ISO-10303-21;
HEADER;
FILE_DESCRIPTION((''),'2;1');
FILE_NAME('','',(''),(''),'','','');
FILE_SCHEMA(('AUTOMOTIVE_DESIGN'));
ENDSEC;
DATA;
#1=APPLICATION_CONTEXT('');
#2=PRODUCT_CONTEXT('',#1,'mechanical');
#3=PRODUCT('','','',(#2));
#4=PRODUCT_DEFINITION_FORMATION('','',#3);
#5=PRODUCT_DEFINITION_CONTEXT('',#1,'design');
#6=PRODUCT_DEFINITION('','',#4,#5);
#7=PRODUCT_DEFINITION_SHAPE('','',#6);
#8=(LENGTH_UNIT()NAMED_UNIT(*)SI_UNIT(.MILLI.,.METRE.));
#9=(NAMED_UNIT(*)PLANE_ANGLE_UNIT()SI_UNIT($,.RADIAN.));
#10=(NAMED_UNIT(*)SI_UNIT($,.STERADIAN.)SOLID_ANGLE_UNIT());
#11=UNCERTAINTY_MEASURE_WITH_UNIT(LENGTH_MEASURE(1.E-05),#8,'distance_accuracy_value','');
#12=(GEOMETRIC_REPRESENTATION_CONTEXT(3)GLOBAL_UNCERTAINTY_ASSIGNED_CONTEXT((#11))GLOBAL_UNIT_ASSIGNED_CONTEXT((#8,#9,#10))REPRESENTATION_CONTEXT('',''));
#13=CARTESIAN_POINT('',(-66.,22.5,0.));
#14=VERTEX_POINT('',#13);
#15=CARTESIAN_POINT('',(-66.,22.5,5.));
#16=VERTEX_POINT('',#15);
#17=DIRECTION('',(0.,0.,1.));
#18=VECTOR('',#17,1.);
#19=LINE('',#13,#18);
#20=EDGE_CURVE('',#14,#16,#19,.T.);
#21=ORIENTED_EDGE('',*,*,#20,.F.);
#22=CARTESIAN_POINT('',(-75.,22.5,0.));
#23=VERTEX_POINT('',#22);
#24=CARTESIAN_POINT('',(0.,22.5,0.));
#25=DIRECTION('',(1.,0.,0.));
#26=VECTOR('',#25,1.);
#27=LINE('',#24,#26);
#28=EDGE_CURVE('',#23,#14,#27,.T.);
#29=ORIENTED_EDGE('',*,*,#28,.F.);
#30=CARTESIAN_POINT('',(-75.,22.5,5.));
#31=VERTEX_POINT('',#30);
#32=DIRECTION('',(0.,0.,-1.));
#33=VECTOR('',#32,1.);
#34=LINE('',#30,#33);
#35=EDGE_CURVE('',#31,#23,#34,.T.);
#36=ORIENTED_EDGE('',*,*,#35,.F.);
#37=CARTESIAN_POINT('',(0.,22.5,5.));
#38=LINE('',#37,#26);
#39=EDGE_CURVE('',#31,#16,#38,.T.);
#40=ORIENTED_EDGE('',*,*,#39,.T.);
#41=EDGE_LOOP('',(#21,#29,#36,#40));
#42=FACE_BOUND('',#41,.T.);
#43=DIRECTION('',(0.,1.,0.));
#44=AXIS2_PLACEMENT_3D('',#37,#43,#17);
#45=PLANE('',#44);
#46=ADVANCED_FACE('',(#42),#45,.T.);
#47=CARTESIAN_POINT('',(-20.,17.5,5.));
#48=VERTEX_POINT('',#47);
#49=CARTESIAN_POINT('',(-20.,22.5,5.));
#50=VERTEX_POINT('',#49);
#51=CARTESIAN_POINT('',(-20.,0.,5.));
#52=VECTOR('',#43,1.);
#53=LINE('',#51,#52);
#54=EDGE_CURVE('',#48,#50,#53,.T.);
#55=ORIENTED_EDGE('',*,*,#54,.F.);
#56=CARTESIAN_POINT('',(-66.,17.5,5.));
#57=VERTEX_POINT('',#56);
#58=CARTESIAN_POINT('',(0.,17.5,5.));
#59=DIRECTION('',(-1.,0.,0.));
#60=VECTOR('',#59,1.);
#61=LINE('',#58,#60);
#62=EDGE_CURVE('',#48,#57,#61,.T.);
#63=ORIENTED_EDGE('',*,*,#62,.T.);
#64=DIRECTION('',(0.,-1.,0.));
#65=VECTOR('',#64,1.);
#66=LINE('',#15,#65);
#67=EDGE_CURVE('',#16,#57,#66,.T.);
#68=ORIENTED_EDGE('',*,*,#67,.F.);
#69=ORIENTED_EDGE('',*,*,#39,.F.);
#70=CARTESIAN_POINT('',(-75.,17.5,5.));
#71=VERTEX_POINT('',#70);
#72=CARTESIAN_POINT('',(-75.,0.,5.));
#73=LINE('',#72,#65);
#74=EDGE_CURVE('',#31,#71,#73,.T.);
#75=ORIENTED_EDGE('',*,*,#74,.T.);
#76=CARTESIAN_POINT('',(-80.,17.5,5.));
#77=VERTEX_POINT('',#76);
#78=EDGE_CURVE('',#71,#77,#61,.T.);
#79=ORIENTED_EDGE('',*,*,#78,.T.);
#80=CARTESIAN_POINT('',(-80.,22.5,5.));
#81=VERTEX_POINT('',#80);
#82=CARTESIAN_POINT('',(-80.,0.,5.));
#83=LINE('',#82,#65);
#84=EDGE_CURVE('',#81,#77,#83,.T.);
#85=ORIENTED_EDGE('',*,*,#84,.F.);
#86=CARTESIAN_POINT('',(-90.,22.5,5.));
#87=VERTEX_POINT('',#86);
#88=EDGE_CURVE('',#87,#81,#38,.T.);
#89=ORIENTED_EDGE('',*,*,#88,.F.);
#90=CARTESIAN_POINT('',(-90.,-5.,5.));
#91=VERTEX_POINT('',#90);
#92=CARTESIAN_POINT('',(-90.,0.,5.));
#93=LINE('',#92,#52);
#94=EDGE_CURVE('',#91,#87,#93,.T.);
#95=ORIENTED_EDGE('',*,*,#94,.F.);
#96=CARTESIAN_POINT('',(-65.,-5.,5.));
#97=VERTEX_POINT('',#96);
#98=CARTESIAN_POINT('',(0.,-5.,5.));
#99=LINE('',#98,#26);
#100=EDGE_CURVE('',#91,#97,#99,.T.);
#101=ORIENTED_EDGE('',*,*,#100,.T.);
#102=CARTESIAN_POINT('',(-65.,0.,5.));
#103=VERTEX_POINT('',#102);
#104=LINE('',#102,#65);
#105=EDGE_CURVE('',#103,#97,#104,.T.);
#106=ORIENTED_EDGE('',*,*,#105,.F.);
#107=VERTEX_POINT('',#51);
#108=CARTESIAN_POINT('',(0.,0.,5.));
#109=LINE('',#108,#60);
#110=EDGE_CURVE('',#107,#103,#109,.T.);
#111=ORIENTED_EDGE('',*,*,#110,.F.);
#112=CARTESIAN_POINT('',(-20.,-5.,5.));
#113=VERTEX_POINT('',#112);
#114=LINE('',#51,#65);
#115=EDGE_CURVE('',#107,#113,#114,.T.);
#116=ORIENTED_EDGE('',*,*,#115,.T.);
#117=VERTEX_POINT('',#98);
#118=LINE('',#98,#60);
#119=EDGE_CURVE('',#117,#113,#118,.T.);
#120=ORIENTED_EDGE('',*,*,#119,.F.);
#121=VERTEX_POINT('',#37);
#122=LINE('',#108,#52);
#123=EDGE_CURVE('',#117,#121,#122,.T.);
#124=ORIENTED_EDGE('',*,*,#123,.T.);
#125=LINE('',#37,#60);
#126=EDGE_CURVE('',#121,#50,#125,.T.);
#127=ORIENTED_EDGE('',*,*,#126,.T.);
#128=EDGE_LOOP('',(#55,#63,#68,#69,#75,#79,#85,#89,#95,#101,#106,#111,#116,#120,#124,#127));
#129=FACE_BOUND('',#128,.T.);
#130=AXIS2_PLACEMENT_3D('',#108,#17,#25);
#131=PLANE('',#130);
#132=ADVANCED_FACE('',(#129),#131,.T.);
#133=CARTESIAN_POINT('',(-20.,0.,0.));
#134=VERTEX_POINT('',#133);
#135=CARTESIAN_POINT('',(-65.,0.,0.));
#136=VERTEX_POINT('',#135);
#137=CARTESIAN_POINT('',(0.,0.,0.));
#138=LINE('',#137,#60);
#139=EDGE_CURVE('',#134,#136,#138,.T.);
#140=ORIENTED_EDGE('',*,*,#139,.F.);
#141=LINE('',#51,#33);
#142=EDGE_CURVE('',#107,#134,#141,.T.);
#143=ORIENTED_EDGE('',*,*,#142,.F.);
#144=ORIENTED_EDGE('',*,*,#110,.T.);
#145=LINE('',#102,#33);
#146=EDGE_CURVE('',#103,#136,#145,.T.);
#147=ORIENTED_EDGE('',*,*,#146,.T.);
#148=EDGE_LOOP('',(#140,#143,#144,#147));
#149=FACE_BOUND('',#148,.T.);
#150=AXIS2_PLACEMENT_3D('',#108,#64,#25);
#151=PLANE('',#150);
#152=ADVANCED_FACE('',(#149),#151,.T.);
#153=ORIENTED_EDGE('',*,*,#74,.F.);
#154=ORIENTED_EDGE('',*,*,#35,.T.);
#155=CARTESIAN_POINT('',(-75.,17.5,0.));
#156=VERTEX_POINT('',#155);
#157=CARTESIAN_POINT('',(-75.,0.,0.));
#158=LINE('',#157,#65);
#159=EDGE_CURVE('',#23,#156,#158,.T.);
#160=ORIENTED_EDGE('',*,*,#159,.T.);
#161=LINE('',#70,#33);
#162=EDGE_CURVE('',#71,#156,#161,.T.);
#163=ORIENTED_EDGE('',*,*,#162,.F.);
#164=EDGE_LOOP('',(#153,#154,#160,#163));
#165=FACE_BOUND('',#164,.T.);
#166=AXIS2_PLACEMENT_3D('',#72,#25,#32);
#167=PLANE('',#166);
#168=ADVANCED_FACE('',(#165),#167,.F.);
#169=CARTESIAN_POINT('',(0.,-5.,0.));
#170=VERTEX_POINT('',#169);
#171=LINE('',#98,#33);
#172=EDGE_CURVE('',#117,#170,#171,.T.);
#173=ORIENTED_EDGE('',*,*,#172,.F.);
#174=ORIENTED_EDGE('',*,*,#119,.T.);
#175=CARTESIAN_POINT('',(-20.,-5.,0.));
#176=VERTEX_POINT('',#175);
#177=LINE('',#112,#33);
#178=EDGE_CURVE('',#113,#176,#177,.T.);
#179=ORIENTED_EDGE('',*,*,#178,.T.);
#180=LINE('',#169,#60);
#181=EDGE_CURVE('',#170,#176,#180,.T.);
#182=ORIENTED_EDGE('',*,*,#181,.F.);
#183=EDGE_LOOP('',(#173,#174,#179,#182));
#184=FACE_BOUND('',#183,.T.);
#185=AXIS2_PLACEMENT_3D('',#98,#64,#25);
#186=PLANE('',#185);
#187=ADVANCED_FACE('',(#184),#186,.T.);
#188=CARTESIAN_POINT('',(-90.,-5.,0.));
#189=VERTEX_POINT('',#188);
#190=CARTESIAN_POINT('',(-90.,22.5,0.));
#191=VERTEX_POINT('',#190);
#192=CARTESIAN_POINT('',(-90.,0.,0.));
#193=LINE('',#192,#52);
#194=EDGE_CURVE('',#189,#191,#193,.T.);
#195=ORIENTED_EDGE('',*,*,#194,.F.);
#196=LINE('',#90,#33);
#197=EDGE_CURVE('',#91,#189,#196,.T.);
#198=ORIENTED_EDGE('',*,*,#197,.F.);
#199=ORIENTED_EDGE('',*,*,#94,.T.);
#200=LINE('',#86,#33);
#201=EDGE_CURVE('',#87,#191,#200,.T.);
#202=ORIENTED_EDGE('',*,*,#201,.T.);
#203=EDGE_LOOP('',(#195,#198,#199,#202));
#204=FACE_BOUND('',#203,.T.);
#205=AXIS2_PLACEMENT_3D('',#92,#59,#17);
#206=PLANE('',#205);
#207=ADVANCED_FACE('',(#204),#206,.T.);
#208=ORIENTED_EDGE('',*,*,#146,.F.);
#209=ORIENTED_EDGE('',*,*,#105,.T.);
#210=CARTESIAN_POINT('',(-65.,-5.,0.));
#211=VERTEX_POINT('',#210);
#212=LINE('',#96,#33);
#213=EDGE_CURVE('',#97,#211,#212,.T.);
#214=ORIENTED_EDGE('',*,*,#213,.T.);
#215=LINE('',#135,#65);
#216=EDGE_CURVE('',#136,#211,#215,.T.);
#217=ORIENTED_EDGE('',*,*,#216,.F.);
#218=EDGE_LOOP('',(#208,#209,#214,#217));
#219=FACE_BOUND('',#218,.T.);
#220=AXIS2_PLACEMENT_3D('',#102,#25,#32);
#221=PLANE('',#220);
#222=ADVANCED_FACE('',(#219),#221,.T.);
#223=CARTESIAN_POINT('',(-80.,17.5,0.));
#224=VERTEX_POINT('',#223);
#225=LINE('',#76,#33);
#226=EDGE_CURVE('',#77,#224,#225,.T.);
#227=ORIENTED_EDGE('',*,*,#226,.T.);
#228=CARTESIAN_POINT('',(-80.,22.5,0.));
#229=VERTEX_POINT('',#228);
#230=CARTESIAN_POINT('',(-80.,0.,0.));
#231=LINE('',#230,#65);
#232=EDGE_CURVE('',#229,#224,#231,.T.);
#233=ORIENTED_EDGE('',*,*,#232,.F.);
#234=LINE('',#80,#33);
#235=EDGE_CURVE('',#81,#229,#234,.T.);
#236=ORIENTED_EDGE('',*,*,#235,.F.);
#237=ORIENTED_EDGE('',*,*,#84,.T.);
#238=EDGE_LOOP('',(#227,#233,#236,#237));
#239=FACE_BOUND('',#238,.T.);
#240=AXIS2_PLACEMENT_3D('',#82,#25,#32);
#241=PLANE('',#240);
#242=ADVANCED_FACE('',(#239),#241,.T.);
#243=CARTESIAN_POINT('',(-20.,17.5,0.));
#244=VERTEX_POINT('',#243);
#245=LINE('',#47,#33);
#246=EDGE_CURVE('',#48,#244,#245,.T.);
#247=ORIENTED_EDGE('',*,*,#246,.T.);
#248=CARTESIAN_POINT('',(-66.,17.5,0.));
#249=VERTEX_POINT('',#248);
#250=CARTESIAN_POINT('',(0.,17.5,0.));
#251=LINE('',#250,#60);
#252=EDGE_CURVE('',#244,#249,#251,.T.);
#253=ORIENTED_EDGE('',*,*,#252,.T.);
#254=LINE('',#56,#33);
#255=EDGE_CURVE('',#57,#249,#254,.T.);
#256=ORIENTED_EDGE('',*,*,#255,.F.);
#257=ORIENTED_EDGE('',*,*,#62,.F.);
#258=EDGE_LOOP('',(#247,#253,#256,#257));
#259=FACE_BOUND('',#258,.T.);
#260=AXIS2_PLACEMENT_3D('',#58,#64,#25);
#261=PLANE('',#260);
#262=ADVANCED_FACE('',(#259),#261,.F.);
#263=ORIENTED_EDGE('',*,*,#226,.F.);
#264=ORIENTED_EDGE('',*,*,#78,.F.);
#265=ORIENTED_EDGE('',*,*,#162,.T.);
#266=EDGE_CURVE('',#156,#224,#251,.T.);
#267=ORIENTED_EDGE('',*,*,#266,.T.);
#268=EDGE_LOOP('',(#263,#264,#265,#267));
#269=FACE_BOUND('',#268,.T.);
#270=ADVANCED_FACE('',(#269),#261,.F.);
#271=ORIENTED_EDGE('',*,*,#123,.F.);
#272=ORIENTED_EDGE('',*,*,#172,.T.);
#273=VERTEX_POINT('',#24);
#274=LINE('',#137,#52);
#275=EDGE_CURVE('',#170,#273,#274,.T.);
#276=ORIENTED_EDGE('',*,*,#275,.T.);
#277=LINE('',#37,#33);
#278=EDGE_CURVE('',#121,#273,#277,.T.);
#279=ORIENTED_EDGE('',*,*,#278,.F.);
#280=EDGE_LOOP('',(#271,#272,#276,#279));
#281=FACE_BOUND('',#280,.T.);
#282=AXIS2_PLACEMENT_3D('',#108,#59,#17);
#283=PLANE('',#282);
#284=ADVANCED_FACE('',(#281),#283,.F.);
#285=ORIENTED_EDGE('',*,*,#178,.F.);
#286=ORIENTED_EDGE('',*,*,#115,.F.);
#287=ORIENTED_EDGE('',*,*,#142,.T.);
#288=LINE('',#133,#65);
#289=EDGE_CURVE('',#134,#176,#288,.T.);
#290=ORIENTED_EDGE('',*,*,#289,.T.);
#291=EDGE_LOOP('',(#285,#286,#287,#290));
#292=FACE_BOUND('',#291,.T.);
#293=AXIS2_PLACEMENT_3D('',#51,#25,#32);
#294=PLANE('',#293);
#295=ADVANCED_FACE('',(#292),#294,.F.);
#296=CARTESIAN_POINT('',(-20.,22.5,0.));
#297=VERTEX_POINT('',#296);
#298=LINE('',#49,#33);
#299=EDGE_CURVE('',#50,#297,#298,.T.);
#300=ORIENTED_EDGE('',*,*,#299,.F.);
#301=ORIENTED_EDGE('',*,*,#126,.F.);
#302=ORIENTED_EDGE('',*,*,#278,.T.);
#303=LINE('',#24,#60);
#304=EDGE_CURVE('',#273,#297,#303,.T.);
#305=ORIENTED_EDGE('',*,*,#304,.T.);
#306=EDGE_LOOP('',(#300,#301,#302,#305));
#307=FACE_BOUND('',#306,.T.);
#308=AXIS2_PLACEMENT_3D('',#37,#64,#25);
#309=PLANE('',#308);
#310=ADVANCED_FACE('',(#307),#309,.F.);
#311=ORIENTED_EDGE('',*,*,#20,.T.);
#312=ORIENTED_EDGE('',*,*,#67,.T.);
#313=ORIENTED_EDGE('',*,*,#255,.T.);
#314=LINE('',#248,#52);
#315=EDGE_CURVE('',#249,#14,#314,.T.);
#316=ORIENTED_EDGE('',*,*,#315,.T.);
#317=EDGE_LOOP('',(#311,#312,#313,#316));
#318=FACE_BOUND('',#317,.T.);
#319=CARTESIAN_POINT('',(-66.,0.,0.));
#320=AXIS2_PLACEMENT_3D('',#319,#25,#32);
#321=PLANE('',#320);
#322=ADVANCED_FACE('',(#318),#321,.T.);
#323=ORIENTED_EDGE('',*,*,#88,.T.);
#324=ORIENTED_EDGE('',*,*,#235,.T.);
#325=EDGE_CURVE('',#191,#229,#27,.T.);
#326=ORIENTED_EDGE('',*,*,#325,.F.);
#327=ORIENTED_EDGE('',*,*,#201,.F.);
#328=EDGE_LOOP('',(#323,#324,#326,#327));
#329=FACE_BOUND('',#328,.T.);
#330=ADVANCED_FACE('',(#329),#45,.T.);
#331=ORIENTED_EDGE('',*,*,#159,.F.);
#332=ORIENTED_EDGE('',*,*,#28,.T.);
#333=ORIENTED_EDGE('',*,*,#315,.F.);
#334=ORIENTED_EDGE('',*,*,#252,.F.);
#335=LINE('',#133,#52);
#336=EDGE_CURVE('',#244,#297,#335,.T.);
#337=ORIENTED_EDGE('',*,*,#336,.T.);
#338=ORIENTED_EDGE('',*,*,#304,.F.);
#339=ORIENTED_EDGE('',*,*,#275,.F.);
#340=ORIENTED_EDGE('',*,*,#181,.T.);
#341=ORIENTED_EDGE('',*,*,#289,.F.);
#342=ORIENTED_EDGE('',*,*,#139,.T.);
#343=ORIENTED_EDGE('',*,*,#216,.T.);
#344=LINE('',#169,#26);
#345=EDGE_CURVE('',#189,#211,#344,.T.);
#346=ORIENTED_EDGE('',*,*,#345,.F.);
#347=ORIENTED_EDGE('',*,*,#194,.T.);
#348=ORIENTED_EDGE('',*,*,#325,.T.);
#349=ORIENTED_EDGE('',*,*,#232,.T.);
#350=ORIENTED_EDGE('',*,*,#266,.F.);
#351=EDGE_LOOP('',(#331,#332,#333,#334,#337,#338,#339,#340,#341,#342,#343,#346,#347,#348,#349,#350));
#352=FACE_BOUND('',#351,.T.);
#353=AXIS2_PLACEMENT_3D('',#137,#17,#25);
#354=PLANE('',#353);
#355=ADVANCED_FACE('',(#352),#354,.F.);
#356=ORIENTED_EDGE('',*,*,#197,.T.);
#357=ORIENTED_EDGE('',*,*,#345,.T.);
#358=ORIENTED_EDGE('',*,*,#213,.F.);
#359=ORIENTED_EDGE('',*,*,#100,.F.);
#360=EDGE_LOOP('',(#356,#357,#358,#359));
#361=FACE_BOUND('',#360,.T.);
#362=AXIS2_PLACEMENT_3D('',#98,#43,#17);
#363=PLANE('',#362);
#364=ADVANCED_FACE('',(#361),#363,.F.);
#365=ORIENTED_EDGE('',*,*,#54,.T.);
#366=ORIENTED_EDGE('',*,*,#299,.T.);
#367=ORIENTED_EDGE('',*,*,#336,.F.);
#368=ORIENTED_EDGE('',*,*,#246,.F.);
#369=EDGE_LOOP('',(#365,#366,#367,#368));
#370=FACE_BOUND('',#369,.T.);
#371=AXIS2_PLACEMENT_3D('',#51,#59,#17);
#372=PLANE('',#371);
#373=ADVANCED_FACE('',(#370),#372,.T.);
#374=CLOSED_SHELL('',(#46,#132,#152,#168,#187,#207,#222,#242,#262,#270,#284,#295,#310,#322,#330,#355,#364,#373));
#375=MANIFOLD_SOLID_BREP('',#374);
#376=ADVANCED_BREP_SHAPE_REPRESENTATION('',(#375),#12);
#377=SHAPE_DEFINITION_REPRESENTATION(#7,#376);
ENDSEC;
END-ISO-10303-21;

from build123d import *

# Parameters (mm, degrees)
SKETCH1_W           = 10
SKETCH1_H           = 5
SKETCH1_W_2         = 25
SKETCH1_W_3         = 20
BOSS_EXTRUDE1_DEPTH = 5
SKETCH2_W           = 5
SKETCH2_H           = 5
CUT_EXTRUDE1_DEPTH  = 1


with BuildPart() as part:
    # Sketch1 → Boss-Extrude1 (new body)
    with BuildSketch(Plane.XY):
        Polygon((-20, 0), (0, 0), (0, 17.5), (-20, 17.5), (-65, 17.5), (-75, 17.5), (-80, 17.5), (-90, 17.5), (-90, 0), (-65, 0), align=None)
        with Locations((-85, 20)):
            Rectangle(SKETCH1_W, SKETCH1_H)
        with Locations((-70, 20)):
            Rectangle(SKETCH1_W, SKETCH1_H)
        with Locations((-77.5, -2.5)):
            Rectangle(SKETCH1_W_2, SKETCH1_H)
        with Locations((-10, -2.5)):
            Rectangle(SKETCH1_W_3, SKETCH1_H)
        with Locations((-10, 20)):
            Rectangle(SKETCH1_W_3, SKETCH1_H)
    extrude(amount=BOSS_EXTRUDE1_DEPTH)

    # Sketch2 → Cut-Extrude1 (cut)
    with BuildSketch(Plane(origin=(-65, 0, 0), x_dir=(0, 0, -1), z_dir=(1, 0, 0))):
        with Locations((-2.5, 20)):
            Rectangle(SKETCH2_W, SKETCH2_H)
    extrude(amount=-CUT_EXTRUDE1_DEPTH, mode=Mode.SUBTRACT)


solid = part.part
